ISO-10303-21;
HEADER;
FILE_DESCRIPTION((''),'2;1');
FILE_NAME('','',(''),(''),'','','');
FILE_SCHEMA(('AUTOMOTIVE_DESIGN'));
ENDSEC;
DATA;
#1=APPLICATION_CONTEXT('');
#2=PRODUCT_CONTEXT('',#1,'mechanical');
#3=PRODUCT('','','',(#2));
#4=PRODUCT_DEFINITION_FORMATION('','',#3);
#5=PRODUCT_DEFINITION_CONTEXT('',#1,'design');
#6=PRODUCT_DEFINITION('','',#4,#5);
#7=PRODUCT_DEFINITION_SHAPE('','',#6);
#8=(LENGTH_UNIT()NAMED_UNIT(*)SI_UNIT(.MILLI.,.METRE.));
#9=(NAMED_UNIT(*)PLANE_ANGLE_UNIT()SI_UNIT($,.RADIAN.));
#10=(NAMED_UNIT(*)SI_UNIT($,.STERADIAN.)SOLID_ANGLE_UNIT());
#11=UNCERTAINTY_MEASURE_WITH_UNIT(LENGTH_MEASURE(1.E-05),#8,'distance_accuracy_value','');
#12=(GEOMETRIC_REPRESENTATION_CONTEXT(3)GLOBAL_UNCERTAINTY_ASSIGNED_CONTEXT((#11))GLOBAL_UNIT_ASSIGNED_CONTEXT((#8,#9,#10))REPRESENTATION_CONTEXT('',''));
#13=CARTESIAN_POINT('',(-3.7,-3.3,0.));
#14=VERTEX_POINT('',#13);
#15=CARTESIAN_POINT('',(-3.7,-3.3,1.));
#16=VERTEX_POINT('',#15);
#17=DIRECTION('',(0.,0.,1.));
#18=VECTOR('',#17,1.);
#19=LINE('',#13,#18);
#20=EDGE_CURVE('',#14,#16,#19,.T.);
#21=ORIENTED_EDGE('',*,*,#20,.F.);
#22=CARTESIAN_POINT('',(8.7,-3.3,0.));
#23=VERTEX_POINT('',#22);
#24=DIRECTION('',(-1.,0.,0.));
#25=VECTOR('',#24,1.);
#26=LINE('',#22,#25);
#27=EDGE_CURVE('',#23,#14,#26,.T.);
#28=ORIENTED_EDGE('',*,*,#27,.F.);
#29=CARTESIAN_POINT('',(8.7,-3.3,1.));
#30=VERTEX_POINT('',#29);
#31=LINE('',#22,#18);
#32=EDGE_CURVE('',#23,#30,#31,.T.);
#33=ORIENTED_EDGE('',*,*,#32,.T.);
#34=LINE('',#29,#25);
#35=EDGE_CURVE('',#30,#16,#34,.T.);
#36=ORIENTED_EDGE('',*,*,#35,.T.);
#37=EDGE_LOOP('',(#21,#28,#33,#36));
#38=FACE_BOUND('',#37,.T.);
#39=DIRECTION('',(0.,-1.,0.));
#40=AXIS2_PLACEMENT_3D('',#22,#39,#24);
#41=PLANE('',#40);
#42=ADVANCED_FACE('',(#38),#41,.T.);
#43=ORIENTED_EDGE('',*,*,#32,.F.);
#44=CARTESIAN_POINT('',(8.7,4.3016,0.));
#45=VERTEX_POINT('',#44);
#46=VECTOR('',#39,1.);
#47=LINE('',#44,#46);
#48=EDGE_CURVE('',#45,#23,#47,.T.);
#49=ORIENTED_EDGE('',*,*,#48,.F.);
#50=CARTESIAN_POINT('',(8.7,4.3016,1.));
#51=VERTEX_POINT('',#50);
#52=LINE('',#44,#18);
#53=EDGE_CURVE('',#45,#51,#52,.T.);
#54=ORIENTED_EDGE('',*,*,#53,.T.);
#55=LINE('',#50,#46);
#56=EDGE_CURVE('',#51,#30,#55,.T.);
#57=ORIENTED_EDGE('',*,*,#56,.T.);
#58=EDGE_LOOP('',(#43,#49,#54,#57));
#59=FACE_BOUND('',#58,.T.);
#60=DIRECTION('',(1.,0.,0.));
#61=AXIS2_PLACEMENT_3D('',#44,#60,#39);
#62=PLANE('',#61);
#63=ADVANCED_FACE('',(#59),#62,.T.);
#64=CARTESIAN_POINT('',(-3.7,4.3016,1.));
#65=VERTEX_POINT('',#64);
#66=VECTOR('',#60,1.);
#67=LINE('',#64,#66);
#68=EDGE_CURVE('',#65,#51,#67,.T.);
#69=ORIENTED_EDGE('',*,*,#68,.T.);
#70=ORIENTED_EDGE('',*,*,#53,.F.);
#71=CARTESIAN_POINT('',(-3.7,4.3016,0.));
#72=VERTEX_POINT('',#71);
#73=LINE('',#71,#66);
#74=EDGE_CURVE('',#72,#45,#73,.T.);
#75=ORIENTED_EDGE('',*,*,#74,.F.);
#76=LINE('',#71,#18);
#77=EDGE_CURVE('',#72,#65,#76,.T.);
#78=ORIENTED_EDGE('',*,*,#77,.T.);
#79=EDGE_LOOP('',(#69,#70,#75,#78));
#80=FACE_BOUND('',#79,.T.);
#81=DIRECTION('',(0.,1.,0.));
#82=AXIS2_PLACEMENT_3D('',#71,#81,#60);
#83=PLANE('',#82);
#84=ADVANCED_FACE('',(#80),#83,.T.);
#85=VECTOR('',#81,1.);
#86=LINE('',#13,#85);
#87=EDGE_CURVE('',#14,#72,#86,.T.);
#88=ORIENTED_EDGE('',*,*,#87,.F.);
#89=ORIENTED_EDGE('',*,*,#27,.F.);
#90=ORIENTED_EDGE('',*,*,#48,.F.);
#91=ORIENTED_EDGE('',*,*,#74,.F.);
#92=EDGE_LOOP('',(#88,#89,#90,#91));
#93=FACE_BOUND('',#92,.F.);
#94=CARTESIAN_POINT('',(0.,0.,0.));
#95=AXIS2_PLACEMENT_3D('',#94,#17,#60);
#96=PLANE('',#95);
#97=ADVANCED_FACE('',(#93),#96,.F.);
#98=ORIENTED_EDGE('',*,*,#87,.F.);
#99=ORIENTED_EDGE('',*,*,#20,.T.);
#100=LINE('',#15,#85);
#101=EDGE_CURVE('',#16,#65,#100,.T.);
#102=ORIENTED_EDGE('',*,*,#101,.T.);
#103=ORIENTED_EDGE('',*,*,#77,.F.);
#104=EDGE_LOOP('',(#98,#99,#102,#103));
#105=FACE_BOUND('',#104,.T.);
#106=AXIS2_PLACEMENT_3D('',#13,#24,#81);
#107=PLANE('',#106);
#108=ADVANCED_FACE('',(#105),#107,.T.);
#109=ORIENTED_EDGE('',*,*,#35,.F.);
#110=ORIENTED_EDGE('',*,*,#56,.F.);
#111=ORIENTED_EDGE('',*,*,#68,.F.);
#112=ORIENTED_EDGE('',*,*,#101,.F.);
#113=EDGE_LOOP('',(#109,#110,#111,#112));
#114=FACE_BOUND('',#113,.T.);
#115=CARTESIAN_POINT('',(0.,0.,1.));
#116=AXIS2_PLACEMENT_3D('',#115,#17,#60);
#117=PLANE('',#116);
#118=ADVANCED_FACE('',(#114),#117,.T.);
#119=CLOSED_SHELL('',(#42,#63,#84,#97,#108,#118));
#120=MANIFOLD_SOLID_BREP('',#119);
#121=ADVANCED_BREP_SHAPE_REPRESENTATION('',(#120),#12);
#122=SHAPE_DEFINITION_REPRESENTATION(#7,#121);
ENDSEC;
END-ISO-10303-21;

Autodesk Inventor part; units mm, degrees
ref_plane "YZ Plane" through (0, 0, 0) normal (1, 0, 0) x (0, 1, 0)
ref_plane "XZ Plane" through (0, 0, 0) normal (0, 1, 0) x (-1, 0, 0)
ref_plane "XY Plane" through (0, 0, 0) normal (0, 0, 1) x (1, 0, 0)
sketch "SCREWTERMINAL-5MM-2, M1_SCREWTERMINAL-5MM-2_9" plane through (0, 0, 0) normal (0, 0, 1) x (1, 0, 0)
  line L0 (-3.7, 4.3016) -> (8.7, 4.3016)
  line L1 (8.7, 4.3016) -> (8.7, -3.3)
  line L2 (8.7, -3.3) -> (-3.7, -3.3)
  line L3 (-3.7, -3.3) -> (-3.7, 4.3016)
extrude "Extrusion1" add sketch "SCREWTERMINAL-5MM-2, M1_SCREWTERMINAL-5MM-2_9" along normal blind 1
properties part number "M1_SCREWTERMINAL-5MM-2"
